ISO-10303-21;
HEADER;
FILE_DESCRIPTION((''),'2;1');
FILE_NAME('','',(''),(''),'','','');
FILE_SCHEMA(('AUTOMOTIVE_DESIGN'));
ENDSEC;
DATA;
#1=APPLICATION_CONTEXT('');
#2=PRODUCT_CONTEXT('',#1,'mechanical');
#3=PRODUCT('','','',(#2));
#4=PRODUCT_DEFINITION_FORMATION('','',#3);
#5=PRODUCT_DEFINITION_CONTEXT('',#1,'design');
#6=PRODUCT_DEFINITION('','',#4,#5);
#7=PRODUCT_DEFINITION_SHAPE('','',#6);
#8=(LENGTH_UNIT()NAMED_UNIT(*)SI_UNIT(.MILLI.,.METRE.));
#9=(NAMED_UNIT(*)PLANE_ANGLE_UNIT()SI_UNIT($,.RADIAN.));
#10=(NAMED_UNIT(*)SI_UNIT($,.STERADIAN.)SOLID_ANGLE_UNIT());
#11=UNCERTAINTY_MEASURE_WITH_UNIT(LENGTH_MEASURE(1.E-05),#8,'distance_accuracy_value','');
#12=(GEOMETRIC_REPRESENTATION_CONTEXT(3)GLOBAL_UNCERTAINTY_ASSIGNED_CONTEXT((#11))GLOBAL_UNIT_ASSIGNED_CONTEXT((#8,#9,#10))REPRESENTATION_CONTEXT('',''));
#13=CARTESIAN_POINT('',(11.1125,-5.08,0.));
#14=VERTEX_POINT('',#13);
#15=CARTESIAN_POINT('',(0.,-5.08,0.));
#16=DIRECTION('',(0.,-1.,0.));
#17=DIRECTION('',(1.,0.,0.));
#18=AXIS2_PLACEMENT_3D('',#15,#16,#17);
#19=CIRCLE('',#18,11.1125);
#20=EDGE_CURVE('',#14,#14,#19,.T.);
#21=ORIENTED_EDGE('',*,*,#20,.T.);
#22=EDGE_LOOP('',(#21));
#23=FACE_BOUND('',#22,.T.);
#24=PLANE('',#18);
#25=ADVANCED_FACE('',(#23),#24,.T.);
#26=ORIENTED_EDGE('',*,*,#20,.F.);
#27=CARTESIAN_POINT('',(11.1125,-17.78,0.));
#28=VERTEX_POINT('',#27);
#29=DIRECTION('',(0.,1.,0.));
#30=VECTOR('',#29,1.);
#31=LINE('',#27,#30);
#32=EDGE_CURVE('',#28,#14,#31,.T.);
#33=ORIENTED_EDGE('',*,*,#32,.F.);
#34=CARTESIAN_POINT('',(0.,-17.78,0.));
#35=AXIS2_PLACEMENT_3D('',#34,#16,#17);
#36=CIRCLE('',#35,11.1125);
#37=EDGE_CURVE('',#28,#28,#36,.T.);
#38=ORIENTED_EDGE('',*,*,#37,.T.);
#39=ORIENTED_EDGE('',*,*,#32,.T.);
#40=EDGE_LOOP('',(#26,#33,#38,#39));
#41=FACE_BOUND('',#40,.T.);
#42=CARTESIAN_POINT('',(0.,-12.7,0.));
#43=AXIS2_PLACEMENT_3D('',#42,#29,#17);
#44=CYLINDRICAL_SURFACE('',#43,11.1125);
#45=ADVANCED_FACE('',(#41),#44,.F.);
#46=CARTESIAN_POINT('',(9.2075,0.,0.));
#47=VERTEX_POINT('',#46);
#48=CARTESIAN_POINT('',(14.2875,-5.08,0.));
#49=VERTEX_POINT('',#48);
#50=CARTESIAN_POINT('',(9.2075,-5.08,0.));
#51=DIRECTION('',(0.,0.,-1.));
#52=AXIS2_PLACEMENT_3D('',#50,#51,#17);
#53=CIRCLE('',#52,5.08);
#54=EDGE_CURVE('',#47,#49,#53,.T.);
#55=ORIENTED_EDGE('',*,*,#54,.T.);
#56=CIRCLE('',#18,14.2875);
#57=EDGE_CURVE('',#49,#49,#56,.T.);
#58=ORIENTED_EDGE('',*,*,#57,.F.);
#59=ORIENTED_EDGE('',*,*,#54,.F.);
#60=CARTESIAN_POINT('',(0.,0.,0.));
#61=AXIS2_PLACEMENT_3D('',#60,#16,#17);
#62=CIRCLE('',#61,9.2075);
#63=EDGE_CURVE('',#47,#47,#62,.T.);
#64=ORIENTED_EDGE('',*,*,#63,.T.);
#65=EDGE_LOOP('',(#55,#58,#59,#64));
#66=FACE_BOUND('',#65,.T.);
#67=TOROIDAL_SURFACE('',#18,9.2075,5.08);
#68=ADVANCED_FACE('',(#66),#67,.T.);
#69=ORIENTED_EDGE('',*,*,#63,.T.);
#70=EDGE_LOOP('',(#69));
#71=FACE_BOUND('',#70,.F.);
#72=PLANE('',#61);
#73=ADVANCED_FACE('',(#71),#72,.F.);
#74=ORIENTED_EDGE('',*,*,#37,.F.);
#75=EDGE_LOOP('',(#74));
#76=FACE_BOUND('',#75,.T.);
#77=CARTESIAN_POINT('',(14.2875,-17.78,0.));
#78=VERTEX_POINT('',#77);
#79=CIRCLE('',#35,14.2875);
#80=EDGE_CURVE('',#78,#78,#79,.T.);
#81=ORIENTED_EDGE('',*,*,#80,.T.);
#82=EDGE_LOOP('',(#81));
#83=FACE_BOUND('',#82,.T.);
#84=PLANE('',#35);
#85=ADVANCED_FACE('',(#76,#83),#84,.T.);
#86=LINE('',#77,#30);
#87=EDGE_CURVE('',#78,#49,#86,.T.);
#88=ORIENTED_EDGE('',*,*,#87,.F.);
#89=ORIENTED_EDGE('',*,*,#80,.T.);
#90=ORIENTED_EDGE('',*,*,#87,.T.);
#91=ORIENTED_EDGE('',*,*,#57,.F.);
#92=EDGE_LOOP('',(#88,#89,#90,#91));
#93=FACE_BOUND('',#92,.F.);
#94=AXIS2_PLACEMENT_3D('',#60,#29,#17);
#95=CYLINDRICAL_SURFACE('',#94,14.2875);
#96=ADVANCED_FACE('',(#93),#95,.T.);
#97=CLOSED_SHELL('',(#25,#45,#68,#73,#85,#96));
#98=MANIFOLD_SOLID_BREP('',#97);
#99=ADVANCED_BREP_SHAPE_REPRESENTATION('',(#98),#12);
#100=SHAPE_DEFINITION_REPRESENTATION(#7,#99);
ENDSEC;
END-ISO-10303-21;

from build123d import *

# Parameters (mm, degrees)
F0_R        = 14.2875
F0_R_2      = 11.1125
F1_DEPTH    = 12.7
F1_FACE_R   = 14.2875
F1_FACE_R_2 = 11.1125
F2_DEPTH    = 5.08
F3_R        = 5.08


with BuildPart() as f1:
    # F0 (on Front) → F1 (new body)
    with BuildSketch(Plane.XZ):
        Circle(F0_R)
        Circle(F0_R_2, mode=Mode.SUBTRACT)
    extrude(amount=F1_DEPTH)

    # F0 (on Front) + F1_face (on face) → F2 (join)
    with BuildSketch(Plane.XZ):
        Circle(F0_R_2)
    with BuildSketch(Plane.XZ.offset(12.7)):
        Circle(F1_FACE_R)
        Circle(F1_FACE_R_2, mode=Mode.SUBTRACT)
    extrude(amount=F2_DEPTH)

    # F3
    f3_edges = [f1.edges().sort_by_distance(p)[0] for p in [
        (-14.2875, 0, 0),
    ]]
    fillet(f3_edges, radius=F3_R)


solid = f1.part
